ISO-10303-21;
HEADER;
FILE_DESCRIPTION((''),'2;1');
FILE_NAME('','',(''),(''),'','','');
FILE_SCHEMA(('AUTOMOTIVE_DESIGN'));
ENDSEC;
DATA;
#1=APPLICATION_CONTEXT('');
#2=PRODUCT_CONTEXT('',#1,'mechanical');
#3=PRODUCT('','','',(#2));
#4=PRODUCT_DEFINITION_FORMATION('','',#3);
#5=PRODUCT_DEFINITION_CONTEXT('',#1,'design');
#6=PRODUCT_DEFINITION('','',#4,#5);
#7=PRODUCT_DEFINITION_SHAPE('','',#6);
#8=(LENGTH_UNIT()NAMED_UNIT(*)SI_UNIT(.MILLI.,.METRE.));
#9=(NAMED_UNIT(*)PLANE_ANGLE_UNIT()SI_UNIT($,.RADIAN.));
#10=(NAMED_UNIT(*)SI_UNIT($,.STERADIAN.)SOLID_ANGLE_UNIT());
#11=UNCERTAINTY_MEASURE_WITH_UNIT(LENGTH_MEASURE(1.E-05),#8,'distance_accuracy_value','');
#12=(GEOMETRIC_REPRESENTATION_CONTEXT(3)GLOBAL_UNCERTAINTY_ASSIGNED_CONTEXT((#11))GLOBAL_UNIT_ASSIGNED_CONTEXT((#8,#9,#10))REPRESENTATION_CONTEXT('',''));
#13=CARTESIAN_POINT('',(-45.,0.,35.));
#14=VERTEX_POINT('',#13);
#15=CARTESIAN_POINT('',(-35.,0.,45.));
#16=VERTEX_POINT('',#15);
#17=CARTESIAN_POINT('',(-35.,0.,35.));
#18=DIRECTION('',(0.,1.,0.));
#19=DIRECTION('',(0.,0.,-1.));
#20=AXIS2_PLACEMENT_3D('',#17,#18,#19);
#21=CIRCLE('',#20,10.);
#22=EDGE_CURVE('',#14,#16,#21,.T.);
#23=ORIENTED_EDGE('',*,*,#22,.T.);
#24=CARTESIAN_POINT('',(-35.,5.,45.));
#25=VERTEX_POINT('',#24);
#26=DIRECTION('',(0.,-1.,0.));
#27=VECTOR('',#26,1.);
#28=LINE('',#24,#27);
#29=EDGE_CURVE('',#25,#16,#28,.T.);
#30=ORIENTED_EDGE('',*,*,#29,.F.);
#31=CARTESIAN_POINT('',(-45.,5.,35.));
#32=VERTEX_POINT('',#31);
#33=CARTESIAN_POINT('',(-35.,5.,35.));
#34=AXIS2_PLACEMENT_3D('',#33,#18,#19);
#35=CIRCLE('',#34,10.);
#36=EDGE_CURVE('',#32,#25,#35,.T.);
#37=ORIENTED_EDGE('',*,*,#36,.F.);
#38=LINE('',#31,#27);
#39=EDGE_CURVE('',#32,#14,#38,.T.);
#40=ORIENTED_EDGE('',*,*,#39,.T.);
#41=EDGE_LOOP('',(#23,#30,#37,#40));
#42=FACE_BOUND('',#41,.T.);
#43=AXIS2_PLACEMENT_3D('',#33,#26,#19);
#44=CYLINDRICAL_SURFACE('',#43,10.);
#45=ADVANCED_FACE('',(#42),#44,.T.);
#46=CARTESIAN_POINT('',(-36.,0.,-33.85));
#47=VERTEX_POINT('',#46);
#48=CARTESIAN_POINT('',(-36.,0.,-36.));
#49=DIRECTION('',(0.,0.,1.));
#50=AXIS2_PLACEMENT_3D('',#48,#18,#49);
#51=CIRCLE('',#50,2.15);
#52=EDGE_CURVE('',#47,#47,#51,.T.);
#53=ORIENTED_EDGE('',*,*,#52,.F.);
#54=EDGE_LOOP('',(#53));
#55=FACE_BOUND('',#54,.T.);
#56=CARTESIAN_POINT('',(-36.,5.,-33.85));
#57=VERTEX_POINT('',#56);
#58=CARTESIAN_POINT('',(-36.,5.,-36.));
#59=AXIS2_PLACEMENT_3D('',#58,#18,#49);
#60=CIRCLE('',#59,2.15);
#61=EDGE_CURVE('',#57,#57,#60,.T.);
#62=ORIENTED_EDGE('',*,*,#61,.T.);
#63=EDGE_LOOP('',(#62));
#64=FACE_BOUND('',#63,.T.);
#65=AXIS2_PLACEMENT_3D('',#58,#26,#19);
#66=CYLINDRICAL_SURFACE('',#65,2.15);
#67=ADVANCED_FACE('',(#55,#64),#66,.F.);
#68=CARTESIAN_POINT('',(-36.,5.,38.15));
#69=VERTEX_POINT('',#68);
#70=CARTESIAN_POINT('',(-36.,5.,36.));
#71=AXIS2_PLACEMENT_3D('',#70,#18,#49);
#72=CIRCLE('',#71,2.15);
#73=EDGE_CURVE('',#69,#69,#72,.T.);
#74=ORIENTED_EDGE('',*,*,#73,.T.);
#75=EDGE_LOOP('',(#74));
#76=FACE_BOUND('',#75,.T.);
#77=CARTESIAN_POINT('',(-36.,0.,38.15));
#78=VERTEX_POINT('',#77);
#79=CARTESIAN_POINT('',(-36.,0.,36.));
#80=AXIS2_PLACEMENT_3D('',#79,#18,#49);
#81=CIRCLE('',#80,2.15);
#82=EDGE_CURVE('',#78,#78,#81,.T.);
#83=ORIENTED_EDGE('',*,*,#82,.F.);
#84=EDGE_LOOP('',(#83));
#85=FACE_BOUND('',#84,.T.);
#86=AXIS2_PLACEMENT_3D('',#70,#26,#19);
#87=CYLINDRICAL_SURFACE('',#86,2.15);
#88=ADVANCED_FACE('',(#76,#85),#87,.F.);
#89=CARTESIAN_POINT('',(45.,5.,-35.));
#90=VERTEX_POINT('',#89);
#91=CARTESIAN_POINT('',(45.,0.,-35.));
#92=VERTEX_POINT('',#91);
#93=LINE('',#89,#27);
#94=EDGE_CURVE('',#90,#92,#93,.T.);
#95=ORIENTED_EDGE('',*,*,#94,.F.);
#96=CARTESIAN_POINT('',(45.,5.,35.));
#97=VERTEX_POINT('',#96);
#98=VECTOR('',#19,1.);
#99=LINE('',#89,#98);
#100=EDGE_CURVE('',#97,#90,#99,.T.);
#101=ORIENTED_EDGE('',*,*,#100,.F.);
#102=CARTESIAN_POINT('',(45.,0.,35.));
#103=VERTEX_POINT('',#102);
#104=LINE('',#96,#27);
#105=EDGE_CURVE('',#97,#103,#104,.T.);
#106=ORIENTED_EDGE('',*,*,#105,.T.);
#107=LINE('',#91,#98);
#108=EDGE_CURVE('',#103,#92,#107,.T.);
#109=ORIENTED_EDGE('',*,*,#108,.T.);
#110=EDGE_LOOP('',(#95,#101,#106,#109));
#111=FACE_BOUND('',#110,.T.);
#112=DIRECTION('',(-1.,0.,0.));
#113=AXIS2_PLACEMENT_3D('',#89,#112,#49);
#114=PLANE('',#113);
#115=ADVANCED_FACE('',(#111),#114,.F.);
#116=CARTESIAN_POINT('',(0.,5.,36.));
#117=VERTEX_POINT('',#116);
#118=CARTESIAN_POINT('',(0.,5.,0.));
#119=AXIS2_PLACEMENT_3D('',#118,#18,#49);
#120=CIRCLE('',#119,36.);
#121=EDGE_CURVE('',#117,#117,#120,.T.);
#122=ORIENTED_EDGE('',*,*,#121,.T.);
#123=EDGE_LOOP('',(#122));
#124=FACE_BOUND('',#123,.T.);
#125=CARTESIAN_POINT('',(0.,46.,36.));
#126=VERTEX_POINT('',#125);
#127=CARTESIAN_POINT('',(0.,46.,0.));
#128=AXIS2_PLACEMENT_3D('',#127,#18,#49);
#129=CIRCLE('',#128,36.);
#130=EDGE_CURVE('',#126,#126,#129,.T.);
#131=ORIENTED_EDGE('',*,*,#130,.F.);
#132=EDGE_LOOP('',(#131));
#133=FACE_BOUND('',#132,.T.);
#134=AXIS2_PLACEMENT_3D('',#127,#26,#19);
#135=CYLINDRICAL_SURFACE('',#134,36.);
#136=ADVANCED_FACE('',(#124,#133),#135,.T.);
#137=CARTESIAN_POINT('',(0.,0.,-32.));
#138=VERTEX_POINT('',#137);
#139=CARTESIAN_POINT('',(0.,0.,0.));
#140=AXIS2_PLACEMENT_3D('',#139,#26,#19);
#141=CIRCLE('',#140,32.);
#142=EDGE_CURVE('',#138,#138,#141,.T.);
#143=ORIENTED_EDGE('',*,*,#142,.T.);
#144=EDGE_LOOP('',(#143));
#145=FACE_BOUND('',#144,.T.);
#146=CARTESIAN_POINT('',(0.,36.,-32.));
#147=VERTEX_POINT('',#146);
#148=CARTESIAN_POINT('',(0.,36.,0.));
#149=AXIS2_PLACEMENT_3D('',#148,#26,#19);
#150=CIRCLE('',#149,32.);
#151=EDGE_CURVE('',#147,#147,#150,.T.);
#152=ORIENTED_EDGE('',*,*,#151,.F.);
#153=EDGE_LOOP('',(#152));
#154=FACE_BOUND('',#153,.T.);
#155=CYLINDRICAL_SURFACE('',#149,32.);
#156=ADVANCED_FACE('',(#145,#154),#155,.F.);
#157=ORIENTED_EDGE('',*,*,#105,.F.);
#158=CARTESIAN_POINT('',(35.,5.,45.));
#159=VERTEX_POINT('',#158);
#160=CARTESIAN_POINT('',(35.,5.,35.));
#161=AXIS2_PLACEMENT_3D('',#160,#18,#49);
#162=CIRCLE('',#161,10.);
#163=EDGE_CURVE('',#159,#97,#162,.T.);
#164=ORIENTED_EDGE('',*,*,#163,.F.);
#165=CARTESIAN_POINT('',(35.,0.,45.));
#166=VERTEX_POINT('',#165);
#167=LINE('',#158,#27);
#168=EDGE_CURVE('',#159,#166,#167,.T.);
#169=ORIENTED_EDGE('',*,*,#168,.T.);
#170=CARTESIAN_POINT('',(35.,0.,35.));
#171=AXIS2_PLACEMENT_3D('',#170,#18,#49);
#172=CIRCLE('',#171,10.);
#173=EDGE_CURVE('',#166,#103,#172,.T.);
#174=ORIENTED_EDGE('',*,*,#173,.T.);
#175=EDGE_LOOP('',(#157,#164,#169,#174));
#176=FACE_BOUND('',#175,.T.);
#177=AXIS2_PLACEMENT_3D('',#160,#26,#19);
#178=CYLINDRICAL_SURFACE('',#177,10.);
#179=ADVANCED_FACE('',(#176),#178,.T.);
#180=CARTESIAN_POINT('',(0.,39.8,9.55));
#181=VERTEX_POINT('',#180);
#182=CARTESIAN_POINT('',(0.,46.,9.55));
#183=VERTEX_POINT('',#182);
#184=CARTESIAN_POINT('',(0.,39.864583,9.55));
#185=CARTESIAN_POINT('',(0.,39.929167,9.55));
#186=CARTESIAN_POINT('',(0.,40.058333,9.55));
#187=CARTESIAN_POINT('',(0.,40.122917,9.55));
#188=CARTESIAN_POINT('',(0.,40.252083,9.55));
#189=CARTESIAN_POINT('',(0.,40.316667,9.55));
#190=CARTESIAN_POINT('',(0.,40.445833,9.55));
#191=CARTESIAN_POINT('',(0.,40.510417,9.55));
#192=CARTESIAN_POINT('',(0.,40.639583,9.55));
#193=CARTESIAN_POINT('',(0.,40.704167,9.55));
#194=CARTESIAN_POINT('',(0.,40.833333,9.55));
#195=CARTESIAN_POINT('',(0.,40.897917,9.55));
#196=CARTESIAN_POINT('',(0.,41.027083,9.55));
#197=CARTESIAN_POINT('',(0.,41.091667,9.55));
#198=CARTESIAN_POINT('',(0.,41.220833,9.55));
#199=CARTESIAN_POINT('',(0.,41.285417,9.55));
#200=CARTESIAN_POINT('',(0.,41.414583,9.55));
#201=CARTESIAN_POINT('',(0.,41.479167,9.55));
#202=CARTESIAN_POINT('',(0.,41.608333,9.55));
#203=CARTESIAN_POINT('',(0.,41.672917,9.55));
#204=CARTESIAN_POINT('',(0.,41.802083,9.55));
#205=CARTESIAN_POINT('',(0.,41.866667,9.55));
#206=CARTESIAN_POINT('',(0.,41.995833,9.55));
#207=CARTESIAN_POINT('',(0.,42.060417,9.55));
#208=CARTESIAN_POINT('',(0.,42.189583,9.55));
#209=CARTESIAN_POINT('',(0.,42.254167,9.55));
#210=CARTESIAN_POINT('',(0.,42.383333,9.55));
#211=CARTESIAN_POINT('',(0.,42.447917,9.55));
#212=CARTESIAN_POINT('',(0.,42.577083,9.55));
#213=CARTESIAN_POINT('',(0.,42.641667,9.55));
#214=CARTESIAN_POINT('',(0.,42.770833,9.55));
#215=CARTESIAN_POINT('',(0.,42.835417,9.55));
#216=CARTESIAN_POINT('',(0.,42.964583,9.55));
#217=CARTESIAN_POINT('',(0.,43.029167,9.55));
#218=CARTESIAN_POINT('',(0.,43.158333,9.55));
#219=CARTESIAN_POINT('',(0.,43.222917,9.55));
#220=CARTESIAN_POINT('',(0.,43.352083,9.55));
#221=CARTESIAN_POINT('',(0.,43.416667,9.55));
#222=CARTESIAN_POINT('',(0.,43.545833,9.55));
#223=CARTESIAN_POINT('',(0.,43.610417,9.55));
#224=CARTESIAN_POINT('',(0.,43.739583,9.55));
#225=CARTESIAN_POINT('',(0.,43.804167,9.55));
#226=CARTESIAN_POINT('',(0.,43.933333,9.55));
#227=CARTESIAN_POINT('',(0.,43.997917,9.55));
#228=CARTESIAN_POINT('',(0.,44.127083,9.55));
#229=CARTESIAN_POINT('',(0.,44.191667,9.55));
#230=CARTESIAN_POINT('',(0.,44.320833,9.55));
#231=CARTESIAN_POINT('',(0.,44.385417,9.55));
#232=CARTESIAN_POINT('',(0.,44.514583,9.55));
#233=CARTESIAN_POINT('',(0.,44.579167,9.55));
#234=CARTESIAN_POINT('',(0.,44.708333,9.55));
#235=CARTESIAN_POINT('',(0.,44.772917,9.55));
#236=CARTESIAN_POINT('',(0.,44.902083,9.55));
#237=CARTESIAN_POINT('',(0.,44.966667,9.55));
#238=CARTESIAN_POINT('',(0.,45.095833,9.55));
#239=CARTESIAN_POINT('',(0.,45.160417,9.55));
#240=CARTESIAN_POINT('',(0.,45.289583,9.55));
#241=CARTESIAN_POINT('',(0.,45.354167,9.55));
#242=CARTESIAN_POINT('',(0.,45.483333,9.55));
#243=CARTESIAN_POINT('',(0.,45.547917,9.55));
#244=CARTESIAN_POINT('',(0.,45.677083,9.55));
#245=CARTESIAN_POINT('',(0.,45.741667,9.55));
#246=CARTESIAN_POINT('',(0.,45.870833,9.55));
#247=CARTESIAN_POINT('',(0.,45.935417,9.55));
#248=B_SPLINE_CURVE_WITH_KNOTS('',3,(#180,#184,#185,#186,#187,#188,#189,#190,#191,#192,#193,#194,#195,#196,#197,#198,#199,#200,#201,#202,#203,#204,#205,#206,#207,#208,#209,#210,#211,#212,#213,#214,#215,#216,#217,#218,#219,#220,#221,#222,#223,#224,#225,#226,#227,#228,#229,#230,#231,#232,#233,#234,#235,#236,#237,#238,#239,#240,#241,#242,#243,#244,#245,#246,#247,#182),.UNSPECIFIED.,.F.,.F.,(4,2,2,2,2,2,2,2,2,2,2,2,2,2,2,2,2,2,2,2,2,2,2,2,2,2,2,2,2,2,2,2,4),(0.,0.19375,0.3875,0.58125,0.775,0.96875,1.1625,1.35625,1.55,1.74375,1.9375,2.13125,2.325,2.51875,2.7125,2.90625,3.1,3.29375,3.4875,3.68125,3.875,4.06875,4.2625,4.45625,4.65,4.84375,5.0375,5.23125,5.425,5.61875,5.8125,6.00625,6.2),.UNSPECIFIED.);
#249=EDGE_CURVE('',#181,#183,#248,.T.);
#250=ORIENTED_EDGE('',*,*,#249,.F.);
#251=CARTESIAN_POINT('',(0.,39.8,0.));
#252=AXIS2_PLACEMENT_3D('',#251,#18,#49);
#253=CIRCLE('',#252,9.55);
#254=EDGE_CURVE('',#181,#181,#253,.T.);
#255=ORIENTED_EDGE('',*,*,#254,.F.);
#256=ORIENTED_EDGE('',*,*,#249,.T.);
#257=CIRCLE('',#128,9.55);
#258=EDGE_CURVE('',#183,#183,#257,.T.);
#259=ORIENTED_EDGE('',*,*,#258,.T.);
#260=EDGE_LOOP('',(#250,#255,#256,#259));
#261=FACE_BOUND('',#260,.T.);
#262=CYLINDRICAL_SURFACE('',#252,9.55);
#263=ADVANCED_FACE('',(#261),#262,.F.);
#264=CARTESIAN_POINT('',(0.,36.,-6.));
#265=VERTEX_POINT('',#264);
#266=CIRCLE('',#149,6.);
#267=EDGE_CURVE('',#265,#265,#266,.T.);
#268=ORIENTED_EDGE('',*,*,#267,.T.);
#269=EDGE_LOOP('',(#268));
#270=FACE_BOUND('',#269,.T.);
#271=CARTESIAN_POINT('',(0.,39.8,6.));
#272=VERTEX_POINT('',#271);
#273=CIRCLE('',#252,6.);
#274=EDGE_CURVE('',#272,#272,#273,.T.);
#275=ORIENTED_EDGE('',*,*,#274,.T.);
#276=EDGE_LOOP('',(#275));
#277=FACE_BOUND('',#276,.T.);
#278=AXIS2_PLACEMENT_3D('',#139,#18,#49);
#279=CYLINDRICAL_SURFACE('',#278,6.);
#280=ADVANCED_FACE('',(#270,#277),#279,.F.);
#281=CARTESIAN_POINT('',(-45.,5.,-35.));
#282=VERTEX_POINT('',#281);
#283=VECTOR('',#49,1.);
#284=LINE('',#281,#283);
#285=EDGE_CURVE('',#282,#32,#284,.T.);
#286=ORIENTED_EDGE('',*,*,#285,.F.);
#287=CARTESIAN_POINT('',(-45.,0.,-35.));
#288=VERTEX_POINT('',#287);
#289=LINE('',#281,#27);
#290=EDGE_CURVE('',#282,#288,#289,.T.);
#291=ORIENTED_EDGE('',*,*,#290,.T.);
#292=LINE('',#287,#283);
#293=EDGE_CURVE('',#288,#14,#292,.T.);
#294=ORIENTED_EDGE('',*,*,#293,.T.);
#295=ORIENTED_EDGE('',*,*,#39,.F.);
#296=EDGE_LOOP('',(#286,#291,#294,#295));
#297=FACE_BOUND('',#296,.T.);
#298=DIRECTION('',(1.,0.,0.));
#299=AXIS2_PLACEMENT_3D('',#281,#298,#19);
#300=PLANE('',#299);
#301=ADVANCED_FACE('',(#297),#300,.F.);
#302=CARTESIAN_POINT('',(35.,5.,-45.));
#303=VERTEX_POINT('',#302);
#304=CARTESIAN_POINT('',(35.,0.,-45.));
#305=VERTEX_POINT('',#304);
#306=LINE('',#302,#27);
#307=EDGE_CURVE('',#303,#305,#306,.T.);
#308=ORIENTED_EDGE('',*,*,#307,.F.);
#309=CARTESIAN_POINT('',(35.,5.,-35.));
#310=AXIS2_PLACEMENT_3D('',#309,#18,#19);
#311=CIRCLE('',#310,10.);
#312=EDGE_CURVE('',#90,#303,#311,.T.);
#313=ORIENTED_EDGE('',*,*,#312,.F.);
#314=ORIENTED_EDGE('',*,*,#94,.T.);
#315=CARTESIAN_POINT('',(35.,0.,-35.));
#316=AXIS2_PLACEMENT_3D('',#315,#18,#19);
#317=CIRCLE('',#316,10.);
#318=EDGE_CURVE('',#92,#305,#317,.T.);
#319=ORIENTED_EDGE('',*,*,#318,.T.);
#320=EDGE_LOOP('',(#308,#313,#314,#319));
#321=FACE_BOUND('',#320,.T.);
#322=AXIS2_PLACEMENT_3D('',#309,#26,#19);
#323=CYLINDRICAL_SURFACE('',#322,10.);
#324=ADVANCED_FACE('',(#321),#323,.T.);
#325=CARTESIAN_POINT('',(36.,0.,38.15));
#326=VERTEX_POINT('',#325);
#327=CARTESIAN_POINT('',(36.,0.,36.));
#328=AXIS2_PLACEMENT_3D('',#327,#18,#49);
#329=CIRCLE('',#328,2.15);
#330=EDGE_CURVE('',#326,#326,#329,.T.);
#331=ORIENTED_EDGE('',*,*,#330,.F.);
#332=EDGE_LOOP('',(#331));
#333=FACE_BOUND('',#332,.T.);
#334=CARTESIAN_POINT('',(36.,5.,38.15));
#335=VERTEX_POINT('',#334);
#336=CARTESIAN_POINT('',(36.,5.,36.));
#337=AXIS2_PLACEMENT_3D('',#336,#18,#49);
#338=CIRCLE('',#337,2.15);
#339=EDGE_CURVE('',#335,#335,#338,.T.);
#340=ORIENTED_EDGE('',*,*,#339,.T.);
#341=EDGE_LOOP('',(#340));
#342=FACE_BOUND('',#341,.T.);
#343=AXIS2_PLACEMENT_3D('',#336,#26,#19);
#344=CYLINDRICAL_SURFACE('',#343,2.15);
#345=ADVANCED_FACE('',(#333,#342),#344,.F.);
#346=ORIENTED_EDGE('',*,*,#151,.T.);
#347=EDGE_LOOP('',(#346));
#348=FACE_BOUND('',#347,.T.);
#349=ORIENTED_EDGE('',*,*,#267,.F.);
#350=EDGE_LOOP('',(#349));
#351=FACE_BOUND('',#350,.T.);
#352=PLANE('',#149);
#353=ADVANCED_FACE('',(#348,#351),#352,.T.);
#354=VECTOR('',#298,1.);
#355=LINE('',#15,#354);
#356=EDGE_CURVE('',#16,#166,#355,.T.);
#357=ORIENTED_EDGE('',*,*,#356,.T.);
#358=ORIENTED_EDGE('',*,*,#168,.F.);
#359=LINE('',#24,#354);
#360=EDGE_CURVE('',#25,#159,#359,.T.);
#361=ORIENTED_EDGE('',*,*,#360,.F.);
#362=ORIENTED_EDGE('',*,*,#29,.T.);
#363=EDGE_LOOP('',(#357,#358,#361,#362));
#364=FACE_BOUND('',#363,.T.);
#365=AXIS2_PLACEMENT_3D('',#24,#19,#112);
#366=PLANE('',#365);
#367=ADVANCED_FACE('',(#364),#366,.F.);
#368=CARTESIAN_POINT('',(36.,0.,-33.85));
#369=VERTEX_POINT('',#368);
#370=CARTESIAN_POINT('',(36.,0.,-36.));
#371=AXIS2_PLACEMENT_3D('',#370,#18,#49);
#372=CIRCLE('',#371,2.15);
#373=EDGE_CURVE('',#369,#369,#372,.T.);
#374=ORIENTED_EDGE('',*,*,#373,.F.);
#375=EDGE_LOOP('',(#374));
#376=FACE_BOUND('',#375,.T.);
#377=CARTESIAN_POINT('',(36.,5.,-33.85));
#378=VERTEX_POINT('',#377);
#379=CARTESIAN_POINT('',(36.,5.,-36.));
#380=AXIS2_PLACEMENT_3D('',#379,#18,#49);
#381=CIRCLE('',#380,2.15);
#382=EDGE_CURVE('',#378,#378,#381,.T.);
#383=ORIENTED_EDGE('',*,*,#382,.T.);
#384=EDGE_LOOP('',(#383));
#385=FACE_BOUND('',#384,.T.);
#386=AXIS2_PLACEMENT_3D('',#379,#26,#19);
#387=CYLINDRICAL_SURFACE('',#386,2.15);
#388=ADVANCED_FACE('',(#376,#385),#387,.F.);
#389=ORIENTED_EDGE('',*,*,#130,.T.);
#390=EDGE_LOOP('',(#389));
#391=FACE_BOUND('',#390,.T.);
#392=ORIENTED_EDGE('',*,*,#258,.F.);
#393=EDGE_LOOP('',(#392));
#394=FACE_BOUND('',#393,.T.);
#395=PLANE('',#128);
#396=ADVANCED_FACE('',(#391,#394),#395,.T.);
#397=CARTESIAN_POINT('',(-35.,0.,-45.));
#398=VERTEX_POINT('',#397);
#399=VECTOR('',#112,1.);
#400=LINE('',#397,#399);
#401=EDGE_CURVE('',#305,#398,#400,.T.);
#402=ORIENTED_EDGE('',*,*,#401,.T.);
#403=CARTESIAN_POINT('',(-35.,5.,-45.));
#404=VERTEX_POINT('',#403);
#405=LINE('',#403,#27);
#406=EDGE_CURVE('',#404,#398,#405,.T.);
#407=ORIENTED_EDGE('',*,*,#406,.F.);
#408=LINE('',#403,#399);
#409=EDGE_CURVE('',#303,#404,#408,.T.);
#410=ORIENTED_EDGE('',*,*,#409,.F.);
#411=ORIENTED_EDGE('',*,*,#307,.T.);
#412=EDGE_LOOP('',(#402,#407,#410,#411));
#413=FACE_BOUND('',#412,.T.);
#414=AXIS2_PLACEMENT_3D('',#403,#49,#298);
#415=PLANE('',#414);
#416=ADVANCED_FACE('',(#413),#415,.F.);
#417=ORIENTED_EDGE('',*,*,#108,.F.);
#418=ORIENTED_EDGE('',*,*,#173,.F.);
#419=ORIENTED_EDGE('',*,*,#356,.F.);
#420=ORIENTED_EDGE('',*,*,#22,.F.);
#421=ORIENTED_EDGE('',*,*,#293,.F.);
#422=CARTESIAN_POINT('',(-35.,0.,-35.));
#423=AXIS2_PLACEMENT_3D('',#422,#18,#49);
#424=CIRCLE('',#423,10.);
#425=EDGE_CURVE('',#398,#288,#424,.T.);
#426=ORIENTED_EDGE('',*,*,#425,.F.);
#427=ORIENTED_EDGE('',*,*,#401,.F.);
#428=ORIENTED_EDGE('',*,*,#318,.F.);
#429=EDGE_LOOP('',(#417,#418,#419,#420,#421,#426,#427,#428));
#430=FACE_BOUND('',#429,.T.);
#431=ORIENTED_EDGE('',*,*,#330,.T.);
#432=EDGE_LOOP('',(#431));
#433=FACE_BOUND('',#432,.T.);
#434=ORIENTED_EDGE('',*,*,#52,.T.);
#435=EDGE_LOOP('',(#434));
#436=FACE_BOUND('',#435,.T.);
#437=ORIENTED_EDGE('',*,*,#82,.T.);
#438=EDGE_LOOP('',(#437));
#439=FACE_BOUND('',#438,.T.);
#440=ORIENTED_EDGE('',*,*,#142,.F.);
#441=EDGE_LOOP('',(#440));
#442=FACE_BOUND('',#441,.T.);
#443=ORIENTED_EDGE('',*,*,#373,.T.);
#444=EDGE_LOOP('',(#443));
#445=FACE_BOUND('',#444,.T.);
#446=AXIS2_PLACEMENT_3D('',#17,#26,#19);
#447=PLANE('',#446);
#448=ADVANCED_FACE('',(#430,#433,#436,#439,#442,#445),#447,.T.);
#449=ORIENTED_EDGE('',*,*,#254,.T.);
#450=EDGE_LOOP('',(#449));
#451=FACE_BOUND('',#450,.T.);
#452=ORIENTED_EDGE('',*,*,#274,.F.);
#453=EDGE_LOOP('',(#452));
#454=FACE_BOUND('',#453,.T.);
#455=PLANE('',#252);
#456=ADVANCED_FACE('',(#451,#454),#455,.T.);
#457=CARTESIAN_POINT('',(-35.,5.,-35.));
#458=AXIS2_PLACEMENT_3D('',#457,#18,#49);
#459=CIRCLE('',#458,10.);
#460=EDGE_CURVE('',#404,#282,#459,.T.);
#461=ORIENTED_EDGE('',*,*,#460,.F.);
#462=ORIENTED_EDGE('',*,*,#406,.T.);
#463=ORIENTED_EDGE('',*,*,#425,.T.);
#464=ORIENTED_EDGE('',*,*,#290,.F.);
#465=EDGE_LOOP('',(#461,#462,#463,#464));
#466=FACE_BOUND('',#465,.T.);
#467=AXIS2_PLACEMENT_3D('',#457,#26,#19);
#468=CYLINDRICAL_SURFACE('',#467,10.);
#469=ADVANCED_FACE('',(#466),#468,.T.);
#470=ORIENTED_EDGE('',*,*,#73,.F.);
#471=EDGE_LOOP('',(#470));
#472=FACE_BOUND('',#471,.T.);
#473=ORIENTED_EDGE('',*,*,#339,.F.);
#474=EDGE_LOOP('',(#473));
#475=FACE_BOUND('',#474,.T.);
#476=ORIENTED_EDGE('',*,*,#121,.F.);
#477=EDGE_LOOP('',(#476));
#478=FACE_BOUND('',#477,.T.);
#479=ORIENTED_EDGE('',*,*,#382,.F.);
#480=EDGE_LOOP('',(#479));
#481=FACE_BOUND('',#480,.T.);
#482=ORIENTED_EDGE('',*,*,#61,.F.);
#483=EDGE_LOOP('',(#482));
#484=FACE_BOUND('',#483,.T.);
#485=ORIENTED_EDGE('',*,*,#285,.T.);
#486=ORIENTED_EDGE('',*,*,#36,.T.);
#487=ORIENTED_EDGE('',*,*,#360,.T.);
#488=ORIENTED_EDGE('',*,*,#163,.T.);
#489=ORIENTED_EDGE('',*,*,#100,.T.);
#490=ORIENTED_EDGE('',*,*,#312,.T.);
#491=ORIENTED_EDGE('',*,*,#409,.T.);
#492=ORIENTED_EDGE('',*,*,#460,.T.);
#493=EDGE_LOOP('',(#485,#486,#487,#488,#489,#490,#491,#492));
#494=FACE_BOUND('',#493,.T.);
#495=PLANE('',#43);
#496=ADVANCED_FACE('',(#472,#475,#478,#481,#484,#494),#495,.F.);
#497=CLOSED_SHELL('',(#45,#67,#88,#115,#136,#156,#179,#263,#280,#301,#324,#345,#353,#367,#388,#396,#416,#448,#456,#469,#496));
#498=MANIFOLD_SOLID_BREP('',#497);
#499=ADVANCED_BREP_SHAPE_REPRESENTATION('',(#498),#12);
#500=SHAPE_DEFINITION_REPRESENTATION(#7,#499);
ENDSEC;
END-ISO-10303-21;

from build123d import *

# Parameters (mm, degrees)
SKETCH3_R           = 2.15
BOSS_EXTRUDE1_DEPTH = 5
SKETCH4_R           = 36
BOSS_EXTRUDE2_DEPTH = 41
SKETCH5_R           = 9.55
CUT_EXTRUDE1_DEPTH  = 6.2
SKETCH6_R           = 32
CUT_EXTRUDE2_DEPTH  = 36
SKETCH8_R           = 6
CUT_EXTRUDE3_DEPTH  = 76.060242472


with BuildPart() as part:
    # Sketch3 → Boss-Extrude1 (new body)
    with BuildSketch(Plane(origin=(0, 0, 0), x_dir=(1, 0, 0), z_dir=(0, 1, 0))):
        with BuildLine():
            Line((-35, 45), (35, 45))
            ThreePointArc((35, 45), (42.071067812, 42.071067812), (45, 35))
            Line((45, 35), (45, -35))
            ThreePointArc((45, -35), (42.071067812, -42.071067812), (35, -45))
            Line((35, -45), (-35, -45))
            ThreePointArc((-35, -45), (-42.071067812, -42.071067812), (-45, -35))
            Line((-45, -35), (-45, 35))
            ThreePointArc((-45, 35), (-42.071067812, 42.071067812), (-35, 45))
        make_face()
        with Locations(Location((-36, 36, 0), (0, 0, 270))):
            Circle(SKETCH3_R, mode=Mode.SUBTRACT)
        with Locations(Location((36, 36, 0), (0, 0, 270))):
            Circle(SKETCH3_R, mode=Mode.SUBTRACT)
        with Locations(Location((36, -36, 0), (0, 0, 270))):
            Circle(SKETCH3_R, mode=Mode.SUBTRACT)
        with Locations(Location((-36, -36, 0), (0, 0, 270))):
            Circle(SKETCH3_R, mode=Mode.SUBTRACT)
    extrude(amount=BOSS_EXTRUDE1_DEPTH)

    # Sketch4 → Boss-Extrude2 (add)
    with BuildSketch(Plane(origin=(0, 5, 0), x_dir=(1, 0, 0), z_dir=(0, 1, 0))):
        with Locations(Location((0, 0, 0), (0, 0, 270))):
            Circle(SKETCH4_R)
    extrude(amount=BOSS_EXTRUDE2_DEPTH)

    # Sketch5 → Cut-Extrude1 (cut)
    with BuildSketch(Plane(origin=(0, 46, 0), x_dir=(1, 0, 0), z_dir=(0, 1, 0))):
        with Locations(Location((0, 0, 0), (0, 0, 270))):
            Circle(SKETCH5_R)
    extrude(amount=-CUT_EXTRUDE1_DEPTH, mode=Mode.SUBTRACT)

    # Sketch6 → Cut-Extrude2 (cut)
    with BuildSketch(Plane.XZ):
        with Locations(Location((0, 0, 0), (0, 0, 270))):
            Circle(SKETCH6_R)
    extrude(amount=-CUT_EXTRUDE2_DEPTH, mode=Mode.SUBTRACT)

    # Sketch8 → Cut-Extrude3 (cut, through all)
    with BuildSketch(Plane(origin=(0, 39.8, 0), x_dir=(1, 0, 0), z_dir=(0, 1, 0))):
        with Locations(Location((0, 0, 0), (0, 0, 270))):
            Circle(SKETCH8_R)
    extrude(amount=-CUT_EXTRUDE3_DEPTH, mode=Mode.SUBTRACT)


solid = part.part
